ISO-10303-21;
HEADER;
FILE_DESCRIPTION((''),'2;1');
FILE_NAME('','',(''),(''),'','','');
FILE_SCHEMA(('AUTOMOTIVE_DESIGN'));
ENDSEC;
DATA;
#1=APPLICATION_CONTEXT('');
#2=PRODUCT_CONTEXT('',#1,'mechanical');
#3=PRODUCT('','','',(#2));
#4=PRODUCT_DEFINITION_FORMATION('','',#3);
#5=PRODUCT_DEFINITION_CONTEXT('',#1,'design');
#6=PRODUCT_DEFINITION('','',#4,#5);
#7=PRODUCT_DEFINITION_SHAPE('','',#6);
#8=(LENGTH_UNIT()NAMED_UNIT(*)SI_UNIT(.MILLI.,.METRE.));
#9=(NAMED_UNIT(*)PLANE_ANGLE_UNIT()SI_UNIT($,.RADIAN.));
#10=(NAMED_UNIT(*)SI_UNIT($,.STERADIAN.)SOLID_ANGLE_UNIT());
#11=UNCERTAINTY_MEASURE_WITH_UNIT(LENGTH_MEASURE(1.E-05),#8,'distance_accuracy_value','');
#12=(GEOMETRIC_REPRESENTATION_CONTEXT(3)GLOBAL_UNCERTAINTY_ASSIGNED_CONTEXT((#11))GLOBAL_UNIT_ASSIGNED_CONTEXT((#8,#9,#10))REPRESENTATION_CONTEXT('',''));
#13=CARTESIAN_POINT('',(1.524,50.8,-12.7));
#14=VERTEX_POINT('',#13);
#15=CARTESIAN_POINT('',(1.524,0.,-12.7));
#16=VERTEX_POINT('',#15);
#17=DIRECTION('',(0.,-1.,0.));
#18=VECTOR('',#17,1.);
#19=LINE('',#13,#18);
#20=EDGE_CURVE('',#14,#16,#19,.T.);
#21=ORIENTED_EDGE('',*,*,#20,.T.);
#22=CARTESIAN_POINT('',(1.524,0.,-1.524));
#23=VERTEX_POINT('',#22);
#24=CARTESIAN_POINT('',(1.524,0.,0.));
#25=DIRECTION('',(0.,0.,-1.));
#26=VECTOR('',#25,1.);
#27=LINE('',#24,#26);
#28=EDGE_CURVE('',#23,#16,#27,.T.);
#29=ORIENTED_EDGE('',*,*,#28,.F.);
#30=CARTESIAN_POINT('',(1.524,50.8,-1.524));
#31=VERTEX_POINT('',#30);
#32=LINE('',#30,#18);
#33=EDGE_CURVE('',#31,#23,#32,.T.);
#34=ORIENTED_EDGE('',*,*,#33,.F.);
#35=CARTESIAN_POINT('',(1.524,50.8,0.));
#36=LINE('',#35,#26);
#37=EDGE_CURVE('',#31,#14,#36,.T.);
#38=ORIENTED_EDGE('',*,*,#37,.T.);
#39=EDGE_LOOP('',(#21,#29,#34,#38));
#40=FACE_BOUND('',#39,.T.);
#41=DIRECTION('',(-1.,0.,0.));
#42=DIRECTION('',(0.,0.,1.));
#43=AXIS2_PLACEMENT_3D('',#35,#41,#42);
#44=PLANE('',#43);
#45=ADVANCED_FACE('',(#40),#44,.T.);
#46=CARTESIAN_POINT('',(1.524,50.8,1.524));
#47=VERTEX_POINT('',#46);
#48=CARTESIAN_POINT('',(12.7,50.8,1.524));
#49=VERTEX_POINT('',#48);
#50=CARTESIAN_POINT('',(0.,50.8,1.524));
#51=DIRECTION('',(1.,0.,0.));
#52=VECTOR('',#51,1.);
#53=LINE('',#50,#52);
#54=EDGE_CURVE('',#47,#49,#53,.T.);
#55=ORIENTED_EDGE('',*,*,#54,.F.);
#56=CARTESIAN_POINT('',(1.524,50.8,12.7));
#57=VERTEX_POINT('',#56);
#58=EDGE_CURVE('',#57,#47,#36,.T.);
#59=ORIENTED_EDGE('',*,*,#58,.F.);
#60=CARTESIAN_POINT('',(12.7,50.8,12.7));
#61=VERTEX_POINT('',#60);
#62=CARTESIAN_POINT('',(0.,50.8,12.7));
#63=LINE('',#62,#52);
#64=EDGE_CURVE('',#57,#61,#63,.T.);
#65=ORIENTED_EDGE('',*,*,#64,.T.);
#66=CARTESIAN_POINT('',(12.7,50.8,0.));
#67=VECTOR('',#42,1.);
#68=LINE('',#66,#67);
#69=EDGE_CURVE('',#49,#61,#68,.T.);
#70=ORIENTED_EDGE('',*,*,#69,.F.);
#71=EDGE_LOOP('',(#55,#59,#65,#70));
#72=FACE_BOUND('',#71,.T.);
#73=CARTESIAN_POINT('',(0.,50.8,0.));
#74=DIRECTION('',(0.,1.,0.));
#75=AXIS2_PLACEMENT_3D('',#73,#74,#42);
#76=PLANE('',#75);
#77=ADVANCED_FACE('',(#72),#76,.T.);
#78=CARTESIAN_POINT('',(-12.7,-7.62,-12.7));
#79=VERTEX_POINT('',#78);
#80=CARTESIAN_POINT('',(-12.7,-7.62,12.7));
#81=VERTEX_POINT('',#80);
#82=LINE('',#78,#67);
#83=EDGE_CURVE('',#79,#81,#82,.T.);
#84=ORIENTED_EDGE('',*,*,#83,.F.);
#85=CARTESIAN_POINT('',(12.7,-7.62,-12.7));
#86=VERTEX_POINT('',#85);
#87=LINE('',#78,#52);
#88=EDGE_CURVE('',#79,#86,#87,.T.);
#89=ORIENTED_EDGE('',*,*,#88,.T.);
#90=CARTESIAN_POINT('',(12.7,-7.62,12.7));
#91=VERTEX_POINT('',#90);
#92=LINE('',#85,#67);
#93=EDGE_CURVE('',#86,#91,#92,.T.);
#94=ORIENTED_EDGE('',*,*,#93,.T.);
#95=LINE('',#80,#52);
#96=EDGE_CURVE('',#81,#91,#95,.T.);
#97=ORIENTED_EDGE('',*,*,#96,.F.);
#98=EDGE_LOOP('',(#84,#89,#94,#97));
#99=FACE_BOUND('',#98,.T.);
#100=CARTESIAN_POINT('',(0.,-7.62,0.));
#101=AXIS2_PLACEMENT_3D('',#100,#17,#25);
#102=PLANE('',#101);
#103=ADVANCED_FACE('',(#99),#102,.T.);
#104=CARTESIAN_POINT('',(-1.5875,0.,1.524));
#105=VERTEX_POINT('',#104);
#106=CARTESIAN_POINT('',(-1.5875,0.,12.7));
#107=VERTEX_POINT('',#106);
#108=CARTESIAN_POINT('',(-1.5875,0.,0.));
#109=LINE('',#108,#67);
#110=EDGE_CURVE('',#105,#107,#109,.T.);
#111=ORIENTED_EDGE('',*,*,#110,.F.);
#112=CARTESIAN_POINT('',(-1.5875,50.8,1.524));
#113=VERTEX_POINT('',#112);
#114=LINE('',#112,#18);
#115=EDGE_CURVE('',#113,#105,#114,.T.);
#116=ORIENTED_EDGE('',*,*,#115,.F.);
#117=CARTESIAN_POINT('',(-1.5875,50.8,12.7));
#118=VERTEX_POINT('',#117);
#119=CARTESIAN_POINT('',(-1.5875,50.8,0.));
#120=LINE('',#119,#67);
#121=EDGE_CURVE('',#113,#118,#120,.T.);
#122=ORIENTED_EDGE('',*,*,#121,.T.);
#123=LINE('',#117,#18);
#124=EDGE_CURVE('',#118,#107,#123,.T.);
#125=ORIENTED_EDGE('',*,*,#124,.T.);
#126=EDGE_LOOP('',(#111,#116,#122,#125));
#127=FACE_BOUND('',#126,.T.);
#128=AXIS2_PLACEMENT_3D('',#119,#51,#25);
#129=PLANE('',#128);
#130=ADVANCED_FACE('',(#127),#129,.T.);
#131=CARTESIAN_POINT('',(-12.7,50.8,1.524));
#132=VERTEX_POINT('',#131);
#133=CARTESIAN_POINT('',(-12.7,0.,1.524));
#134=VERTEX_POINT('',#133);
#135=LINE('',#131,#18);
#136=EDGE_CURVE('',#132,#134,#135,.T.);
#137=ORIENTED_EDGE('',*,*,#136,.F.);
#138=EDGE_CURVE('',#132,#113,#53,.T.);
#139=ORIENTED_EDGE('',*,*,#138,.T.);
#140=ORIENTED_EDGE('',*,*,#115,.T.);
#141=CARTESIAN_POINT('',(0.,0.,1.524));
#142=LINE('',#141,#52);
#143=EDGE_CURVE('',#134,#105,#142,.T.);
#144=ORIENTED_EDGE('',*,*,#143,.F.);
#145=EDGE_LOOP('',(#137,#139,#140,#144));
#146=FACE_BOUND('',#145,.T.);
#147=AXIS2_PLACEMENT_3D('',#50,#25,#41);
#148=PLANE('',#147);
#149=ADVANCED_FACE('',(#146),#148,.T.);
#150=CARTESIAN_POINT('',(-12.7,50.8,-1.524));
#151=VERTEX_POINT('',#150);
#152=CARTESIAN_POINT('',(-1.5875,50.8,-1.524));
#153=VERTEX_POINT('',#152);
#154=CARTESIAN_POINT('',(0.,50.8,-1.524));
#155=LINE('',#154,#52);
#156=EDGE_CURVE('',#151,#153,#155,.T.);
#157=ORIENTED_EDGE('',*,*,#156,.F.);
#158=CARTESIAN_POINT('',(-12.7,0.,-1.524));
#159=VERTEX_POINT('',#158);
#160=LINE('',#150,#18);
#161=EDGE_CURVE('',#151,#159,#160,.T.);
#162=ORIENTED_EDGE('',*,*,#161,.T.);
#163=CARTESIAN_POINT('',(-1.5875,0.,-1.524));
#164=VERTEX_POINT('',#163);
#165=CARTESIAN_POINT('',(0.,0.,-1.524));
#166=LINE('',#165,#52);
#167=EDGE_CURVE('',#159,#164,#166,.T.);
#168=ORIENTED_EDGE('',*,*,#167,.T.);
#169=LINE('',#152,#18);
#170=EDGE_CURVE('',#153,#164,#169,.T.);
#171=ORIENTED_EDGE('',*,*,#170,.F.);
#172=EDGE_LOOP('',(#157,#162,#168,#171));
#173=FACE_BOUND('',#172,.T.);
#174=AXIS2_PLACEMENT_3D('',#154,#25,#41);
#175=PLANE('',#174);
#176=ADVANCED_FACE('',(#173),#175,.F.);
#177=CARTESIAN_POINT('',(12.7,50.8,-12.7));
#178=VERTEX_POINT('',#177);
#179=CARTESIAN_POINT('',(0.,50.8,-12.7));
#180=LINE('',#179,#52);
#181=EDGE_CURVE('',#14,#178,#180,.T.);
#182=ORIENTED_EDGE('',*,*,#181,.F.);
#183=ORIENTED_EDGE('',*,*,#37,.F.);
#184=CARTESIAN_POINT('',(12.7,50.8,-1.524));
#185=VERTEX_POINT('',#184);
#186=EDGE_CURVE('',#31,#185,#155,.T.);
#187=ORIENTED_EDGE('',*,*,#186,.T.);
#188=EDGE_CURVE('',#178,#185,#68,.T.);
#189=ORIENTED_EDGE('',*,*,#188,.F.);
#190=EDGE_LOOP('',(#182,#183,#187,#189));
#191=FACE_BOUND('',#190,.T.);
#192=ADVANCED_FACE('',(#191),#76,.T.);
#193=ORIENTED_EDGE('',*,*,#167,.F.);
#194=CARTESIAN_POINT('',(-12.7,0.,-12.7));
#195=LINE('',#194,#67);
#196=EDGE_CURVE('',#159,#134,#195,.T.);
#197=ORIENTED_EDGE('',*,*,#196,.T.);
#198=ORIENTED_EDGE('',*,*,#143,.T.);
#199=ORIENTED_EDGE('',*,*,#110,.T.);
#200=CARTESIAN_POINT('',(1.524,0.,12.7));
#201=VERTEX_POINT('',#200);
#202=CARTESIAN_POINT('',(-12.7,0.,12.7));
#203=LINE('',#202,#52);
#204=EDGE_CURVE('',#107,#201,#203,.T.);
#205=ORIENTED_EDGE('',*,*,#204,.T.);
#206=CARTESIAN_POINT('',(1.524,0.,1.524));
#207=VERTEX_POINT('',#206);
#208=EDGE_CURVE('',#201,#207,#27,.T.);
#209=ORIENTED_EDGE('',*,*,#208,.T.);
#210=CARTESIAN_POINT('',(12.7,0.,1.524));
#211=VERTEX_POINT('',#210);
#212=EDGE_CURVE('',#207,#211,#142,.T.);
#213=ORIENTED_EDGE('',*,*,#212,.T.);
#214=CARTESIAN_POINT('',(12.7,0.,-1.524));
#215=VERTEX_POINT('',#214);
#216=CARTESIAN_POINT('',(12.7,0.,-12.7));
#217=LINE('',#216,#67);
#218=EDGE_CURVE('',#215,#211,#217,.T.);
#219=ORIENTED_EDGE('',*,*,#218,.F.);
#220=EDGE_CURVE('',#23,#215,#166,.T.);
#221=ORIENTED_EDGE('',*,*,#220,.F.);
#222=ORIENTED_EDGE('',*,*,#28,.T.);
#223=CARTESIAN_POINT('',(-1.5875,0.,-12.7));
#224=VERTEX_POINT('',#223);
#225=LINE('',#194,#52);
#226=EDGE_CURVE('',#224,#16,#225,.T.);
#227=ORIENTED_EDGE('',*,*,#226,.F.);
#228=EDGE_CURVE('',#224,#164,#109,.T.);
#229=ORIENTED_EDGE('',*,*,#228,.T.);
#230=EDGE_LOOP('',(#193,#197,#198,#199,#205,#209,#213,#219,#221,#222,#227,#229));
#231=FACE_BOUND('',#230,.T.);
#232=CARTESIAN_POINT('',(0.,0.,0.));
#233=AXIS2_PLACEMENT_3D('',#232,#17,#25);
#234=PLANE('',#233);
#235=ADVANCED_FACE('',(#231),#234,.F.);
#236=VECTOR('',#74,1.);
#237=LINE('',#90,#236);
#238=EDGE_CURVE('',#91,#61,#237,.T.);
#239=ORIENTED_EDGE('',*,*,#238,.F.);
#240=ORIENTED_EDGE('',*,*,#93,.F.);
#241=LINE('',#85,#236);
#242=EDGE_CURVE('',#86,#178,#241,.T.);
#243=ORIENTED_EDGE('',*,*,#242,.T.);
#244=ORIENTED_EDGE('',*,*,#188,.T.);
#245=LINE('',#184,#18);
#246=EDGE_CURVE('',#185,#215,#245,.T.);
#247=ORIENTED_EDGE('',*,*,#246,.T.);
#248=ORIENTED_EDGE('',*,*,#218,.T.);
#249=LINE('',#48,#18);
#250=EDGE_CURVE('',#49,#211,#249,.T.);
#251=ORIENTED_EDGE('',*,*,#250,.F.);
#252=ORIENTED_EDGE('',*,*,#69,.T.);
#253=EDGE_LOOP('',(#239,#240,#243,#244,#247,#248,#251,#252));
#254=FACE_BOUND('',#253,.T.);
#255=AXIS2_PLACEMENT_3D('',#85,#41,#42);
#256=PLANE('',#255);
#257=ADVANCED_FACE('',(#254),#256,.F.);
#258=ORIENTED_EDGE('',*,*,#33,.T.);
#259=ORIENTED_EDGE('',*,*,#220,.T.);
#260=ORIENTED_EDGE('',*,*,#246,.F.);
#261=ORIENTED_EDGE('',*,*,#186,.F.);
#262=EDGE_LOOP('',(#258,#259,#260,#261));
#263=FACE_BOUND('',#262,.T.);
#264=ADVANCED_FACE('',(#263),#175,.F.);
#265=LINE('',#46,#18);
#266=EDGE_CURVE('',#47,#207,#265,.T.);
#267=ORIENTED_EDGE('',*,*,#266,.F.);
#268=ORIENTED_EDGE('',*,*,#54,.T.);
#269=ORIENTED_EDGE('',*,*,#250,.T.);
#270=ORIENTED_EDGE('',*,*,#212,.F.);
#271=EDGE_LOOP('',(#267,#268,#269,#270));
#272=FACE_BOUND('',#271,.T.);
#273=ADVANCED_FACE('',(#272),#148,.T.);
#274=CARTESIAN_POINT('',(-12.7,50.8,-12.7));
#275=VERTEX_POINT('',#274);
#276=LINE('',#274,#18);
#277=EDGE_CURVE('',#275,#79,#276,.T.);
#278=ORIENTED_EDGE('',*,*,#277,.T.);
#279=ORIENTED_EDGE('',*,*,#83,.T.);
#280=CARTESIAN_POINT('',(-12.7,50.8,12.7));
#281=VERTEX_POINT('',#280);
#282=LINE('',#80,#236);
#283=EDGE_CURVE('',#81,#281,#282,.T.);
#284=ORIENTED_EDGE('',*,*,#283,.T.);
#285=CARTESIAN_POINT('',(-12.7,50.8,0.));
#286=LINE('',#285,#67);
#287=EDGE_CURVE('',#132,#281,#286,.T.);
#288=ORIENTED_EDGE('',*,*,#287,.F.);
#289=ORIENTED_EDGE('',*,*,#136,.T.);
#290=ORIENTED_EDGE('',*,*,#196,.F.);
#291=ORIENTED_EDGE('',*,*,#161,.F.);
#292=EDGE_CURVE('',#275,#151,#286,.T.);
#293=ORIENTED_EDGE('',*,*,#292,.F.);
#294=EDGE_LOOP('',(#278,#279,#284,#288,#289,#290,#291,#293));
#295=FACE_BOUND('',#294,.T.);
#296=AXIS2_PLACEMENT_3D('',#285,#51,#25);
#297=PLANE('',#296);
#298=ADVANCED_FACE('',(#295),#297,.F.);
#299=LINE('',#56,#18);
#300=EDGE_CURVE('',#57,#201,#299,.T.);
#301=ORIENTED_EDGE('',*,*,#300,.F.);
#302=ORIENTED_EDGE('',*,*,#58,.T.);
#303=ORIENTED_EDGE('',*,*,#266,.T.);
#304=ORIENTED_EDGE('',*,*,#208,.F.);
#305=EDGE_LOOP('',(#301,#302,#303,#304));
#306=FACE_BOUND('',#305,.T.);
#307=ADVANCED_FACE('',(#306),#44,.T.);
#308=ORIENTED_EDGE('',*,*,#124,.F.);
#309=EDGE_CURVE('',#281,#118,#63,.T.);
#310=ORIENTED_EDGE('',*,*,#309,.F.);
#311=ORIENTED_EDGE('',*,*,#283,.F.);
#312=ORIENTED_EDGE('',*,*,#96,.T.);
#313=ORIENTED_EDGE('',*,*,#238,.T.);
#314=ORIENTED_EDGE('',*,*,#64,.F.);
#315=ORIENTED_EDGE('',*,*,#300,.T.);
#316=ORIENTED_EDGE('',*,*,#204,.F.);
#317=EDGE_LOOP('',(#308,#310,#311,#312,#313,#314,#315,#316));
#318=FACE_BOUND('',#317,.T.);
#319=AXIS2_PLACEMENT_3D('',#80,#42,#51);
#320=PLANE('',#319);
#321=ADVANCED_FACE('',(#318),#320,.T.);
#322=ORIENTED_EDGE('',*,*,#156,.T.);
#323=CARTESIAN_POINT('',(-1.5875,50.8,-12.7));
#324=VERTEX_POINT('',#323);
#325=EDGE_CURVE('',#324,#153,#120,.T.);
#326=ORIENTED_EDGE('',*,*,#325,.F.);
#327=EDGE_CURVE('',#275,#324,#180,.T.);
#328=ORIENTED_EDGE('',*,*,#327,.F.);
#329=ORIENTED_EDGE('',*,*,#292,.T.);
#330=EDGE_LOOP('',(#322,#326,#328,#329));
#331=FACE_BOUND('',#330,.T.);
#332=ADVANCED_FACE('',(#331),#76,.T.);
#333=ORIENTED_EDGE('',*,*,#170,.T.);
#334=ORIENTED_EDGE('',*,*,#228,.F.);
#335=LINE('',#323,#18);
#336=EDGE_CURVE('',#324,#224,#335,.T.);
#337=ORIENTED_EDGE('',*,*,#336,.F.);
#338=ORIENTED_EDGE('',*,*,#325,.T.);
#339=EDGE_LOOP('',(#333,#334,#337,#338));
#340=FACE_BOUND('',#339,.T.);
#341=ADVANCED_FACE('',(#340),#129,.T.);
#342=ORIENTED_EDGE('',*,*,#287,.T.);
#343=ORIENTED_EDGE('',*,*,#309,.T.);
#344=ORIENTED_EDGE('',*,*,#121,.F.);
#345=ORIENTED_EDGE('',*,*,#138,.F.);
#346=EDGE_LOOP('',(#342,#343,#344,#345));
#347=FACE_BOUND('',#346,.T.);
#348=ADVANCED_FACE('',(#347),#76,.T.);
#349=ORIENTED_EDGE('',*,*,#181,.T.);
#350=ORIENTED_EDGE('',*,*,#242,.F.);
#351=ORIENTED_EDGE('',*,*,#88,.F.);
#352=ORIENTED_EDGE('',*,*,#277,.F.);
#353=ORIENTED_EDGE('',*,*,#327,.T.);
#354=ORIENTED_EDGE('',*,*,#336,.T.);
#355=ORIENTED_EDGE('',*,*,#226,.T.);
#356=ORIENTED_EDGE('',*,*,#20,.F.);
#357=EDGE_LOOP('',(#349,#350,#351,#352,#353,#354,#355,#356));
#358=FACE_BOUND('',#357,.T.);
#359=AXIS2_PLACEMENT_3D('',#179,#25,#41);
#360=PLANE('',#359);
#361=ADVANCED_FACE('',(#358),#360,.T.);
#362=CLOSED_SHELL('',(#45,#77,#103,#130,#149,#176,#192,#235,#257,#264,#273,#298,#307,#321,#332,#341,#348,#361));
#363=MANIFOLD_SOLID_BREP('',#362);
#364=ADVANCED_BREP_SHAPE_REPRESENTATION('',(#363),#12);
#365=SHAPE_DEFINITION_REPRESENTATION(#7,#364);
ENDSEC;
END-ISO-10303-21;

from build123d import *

# Parameters (mm, degrees)
SKETCH1_W             = 11.1125
SKETCH1_H             = 11.176
BOSS_EXTRUDE1_DEPTH   = 50.8
SKETCH1_W_2           = 11.176
BOSS_EXTRUDE1_2_DEPTH = 50.8
BOSS_EXTRUDE1_3_DEPTH = 50.8
BOSS_EXTRUDE1_4_DEPTH = 50.8
SKETCH1_4_W           = 25.4
SKETCH1_4_H           = 25.4
BOSS_EXTRUDE2_DEPTH   = 7.62


with BuildPart() as part:
    # Sketch1 → Boss-Extrude1 (new body)
    with BuildSketch(Plane(origin=(0, 0, 0), x_dir=(1, 0, 0), z_dir=(0, 1, 0))):
        with Locations((-7.14375, 7.112)):
            Rectangle(SKETCH1_W, SKETCH1_H)
    extrude(amount=BOSS_EXTRUDE1_DEPTH)



with BuildPart() as body_2:
    # Sketch1 → Boss-Extrude1 2 (new body)
    with BuildSketch(Plane(origin=(0, 0, 0), x_dir=(1, 0, 0), z_dir=(0, 1, 0))):
        with Locations((7.112, 7.112)):
            Rectangle(SKETCH1_W_2, SKETCH1_H)
    extrude(amount=BOSS_EXTRUDE1_2_DEPTH)


with BuildPart() as body_3:
    # Sketch1 → Boss-Extrude1 3 (new body)
    with BuildSketch(Plane(origin=(0, 0, 0), x_dir=(1, 0, 0), z_dir=(0, 1, 0))):
        with Locations((-7.14375, -7.112)):
            Rectangle(SKETCH1_W, SKETCH1_H)
    extrude(amount=BOSS_EXTRUDE1_3_DEPTH)


with BuildPart() as body_4:
    # Sketch1 → Boss-Extrude1 4 (new body)
    with BuildSketch(Plane(origin=(0, 0, 0), x_dir=(1, 0, 0), z_dir=(0, 1, 0))):
        with Locations((7.112, -7.112)):
            Rectangle(SKETCH1_W_2, SKETCH1_H)
    extrude(amount=BOSS_EXTRUDE1_4_DEPTH)


with BuildPart() as part_1:
    add(part.part)

    add(body_2.part)  # Boss-Extrude2 merges body 2

    add(body_3.part)  # Boss-Extrude2 merges body 3

    add(body_4.part)  # Boss-Extrude2 merges body 4
    # Sketch1<4> → Boss-Extrude2 (add)
    with BuildSketch(Plane(origin=(0, 0, 0), x_dir=(1, 0, 0), z_dir=(0, 1, 0))):
        Rectangle(SKETCH1_4_W, SKETCH1_4_H)
    extrude(amount=-BOSS_EXTRUDE2_DEPTH)


solid = part_1.part
